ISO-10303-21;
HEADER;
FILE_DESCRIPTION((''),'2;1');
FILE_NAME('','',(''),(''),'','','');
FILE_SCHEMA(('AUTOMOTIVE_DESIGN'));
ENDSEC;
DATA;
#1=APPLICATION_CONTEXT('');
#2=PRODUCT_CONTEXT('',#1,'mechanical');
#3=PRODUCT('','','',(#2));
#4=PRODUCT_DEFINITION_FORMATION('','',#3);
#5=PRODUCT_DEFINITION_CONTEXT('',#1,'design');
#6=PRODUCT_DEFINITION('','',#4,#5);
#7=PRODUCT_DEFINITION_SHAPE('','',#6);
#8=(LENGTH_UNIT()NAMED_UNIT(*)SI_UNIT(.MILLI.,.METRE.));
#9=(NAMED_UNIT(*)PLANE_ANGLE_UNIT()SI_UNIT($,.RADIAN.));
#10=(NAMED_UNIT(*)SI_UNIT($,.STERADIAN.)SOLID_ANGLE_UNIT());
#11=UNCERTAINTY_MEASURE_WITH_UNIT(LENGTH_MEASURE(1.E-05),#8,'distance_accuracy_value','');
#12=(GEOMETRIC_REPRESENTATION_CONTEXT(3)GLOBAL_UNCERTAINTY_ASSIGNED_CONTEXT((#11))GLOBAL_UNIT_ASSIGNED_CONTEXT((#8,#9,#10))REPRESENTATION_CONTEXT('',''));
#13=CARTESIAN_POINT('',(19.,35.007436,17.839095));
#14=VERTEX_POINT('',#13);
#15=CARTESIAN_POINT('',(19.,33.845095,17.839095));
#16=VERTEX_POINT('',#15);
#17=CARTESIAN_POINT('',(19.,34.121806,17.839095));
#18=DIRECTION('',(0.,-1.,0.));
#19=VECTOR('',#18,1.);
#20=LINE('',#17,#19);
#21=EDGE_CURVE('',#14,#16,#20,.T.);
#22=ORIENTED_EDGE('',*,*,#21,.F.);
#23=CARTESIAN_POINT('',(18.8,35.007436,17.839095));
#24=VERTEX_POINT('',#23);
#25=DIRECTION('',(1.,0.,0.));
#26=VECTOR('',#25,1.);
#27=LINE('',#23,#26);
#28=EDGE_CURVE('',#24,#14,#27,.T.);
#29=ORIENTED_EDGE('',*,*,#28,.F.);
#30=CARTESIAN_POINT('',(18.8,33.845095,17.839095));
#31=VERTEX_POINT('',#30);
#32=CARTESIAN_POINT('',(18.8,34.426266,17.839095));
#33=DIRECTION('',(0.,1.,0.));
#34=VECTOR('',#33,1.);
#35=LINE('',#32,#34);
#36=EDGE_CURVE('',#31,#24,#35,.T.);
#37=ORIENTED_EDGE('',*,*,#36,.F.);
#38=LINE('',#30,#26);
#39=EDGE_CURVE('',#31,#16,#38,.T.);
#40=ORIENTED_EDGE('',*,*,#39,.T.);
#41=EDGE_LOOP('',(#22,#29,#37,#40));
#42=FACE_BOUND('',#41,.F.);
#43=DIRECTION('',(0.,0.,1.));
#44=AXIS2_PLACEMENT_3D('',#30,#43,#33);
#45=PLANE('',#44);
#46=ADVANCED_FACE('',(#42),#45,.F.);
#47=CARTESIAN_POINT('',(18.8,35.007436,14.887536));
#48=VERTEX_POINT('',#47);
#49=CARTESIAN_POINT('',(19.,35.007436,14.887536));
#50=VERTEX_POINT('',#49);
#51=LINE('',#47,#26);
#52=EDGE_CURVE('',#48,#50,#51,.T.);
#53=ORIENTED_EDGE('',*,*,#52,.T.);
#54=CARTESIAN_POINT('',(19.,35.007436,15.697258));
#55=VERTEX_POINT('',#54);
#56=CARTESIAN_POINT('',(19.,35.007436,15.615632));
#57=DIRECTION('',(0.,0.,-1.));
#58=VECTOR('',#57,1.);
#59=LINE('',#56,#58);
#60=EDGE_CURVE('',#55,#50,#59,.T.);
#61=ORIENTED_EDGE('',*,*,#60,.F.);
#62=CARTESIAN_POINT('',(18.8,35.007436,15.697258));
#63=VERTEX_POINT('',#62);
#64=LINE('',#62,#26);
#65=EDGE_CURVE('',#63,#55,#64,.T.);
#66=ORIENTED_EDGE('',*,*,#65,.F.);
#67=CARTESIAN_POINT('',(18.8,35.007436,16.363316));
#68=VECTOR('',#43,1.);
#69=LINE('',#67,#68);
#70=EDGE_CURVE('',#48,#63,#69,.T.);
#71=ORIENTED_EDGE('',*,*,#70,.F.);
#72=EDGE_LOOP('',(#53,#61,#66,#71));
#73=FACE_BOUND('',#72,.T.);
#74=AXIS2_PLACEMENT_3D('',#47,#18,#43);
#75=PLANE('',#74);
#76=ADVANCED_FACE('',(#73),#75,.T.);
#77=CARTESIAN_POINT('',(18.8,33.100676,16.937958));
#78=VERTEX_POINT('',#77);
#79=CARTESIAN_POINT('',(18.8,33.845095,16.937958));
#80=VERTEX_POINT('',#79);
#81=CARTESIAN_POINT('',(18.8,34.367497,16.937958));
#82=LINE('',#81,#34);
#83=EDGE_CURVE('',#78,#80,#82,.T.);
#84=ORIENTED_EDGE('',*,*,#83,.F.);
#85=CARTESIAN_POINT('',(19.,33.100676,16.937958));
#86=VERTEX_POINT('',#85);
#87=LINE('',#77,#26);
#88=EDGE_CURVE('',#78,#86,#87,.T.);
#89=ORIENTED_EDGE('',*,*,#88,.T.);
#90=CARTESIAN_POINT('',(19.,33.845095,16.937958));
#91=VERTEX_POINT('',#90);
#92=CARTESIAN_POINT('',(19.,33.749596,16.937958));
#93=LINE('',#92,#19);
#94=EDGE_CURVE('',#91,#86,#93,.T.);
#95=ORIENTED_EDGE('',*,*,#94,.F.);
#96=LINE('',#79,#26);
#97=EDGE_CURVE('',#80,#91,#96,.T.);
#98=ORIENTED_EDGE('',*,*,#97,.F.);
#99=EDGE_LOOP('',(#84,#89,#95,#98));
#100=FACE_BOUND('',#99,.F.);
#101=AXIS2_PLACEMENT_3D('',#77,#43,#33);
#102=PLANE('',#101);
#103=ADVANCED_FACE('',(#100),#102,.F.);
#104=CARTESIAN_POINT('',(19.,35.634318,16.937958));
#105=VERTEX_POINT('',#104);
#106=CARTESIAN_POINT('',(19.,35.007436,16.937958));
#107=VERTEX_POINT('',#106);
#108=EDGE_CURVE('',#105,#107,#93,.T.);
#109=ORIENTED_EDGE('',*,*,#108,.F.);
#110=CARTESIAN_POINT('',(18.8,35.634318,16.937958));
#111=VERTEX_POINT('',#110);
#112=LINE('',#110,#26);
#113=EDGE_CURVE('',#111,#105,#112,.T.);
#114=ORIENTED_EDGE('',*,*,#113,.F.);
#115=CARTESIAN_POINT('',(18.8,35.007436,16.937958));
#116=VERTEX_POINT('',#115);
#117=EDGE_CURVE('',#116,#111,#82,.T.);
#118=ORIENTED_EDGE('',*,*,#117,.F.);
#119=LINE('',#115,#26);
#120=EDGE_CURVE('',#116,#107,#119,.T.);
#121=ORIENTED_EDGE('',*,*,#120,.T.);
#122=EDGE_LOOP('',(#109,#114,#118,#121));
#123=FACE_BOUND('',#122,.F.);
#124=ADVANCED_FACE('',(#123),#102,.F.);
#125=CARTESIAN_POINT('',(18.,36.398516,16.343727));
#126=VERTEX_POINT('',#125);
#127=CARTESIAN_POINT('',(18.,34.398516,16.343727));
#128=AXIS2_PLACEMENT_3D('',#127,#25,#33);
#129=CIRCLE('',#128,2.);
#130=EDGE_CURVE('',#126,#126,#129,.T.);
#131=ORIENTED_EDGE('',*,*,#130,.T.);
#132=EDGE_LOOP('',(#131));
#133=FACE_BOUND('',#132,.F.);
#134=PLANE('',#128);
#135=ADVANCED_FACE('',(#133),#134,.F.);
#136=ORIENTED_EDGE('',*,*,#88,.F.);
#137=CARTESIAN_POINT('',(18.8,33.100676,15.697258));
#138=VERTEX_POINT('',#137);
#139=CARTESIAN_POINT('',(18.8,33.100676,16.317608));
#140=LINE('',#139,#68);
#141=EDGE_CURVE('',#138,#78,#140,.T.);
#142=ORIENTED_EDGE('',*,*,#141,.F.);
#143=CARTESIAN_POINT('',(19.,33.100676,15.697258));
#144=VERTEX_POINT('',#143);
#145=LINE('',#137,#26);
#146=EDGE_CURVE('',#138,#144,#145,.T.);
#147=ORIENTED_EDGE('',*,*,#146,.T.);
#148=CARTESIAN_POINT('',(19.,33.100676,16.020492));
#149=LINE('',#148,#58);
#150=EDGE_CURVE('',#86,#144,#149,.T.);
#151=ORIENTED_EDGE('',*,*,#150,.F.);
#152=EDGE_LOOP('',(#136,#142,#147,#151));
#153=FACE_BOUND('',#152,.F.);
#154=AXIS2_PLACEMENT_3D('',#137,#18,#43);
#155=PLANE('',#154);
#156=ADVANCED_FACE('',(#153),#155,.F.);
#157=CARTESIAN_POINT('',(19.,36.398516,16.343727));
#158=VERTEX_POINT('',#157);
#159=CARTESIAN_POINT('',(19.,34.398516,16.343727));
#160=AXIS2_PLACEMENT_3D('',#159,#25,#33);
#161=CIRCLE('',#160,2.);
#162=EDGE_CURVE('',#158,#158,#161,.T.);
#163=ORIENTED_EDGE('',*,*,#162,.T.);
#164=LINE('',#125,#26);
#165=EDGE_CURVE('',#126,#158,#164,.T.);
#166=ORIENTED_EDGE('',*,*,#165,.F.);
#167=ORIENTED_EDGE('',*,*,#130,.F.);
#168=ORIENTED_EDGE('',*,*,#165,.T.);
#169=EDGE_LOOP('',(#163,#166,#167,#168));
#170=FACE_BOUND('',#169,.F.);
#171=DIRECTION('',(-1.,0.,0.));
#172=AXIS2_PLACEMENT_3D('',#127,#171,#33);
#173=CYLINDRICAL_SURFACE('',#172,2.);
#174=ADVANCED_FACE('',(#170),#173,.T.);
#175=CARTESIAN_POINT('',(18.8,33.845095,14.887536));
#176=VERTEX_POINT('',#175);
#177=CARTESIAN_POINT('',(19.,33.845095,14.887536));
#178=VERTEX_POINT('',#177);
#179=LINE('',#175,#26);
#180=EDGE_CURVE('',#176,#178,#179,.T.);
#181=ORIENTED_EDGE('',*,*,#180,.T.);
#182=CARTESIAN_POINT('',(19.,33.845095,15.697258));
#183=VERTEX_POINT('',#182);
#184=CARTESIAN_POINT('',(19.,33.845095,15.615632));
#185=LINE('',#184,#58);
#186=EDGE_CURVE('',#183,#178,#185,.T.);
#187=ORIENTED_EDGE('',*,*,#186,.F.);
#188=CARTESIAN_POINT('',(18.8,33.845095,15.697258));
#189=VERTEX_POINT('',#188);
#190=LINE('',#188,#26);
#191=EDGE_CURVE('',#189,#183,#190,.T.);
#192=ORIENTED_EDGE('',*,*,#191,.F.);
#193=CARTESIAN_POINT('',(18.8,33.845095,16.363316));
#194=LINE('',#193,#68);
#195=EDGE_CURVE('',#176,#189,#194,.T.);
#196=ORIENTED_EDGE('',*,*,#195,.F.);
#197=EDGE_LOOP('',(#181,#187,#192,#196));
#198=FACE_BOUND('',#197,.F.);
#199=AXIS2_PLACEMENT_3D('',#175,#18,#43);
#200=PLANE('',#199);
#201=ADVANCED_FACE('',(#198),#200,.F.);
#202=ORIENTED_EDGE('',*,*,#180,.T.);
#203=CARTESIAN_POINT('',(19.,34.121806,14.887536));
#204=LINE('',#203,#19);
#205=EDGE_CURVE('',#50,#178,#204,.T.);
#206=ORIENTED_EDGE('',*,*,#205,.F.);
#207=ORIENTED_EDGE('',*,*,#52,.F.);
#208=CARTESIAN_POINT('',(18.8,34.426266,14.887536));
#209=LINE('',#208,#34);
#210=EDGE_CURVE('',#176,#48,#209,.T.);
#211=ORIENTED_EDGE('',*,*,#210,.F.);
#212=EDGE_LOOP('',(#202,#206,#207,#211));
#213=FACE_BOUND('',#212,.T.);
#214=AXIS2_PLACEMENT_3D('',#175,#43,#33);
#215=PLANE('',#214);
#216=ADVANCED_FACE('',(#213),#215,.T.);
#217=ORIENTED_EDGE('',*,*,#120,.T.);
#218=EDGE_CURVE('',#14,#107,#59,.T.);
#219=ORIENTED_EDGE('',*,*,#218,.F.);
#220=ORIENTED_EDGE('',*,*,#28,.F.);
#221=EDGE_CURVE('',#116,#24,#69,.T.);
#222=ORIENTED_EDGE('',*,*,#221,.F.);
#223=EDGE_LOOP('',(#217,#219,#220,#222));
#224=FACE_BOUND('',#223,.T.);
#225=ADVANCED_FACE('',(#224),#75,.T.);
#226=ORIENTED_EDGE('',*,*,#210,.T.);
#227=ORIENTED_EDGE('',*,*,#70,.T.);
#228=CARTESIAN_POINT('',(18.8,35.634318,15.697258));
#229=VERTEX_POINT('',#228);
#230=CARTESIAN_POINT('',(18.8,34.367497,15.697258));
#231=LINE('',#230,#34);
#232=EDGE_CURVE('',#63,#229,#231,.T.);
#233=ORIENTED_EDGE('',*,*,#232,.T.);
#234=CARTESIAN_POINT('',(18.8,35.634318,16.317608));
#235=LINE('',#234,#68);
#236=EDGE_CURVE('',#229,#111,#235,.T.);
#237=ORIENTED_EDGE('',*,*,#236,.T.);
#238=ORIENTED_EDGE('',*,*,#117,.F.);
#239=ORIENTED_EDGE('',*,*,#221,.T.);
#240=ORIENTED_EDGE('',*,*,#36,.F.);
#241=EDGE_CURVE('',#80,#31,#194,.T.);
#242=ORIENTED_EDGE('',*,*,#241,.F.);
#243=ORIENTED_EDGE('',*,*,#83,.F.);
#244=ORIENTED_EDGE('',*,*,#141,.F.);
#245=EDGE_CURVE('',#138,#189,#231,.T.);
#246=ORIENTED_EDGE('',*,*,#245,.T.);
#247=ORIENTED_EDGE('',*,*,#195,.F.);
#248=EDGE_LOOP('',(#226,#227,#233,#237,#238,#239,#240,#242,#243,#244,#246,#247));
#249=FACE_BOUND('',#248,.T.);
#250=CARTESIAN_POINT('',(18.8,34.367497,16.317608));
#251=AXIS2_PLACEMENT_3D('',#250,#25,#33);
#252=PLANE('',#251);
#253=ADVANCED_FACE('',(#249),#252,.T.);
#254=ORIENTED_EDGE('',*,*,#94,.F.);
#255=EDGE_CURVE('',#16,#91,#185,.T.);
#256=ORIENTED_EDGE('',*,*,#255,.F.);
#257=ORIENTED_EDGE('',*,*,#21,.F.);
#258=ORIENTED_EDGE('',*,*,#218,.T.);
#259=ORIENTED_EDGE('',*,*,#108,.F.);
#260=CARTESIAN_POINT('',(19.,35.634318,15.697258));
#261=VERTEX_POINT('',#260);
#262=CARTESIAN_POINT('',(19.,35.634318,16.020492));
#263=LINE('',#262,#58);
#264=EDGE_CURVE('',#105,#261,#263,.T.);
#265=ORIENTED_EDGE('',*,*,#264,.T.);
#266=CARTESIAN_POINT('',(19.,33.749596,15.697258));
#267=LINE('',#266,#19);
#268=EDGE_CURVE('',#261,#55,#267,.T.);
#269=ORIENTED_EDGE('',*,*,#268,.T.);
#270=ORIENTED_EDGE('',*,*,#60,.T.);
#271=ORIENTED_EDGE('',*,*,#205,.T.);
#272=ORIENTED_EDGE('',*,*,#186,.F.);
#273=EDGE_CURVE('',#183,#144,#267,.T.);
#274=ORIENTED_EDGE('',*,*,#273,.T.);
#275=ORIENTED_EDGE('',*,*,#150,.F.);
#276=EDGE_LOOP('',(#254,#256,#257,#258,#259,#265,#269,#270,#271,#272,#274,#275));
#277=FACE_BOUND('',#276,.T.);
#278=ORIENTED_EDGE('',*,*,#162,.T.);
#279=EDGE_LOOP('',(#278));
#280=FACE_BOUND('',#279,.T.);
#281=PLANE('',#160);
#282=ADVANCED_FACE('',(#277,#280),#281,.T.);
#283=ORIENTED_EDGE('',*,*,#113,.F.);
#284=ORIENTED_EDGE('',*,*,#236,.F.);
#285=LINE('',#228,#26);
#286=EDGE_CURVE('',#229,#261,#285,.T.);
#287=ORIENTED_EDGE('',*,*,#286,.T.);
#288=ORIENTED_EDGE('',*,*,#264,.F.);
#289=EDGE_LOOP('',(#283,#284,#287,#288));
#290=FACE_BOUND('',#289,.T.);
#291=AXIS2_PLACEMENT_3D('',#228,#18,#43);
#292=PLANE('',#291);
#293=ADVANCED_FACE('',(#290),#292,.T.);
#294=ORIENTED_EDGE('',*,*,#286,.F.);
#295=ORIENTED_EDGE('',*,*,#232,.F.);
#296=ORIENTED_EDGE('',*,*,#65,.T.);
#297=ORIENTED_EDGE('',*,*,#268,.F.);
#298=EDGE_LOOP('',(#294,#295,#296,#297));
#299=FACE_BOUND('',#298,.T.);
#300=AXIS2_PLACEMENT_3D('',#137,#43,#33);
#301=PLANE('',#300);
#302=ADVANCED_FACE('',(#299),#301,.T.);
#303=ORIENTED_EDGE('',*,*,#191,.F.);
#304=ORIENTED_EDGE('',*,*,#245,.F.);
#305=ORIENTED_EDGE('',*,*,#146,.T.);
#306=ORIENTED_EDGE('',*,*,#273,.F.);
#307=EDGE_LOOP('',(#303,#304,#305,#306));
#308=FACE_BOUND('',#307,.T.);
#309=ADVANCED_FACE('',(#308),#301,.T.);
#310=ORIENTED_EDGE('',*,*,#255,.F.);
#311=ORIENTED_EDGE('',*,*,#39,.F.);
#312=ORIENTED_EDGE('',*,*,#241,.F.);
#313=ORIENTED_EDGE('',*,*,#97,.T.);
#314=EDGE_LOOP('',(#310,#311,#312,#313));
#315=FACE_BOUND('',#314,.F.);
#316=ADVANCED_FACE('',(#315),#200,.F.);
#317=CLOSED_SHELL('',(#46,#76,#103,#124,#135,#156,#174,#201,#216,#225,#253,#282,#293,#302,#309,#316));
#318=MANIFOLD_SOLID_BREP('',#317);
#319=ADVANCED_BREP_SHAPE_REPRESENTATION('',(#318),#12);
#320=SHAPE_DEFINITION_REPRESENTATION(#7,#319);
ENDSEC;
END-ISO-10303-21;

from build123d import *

# Parameters (mm, degrees)
RECTANGLE011_W   = 1.162341
RECTANGLE011_H   = 2.951559
EXTRUDE034_DEPTH = 0.5
RECTANGLE010_W   = 2.533642
RECTANGLE010_H   = 1.2407
EXTRUDE033_DEPTH = 0.5
CIRCLE016_R      = 2
EXTRUDE032_DEPTH = 1


with BuildPart() as extrude034:
    # Rectangle011 → Extrude034 (new body)
    with BuildSketch(Plane(origin=(1, -5.654904, 34.839096), x_dir=(0, 1, 0), z_dir=(1, 0, 0))):
        with Locations((0.58117, -1.47578)):
            Rectangle(RECTANGLE011_W, RECTANGLE011_H)
    extrude(amount=EXTRUDE034_DEPTH)


with BuildPart() as extrude034_1:
    # Extrude034 placement: moved
    add(extrude034.part.moved(Location((-0.2, 0, 0))))


with BuildPart() as extrude033:
    # Rectangle010 → Extrude033 (new body)
    with BuildSketch(Plane(origin=(1, -6.399324, 33.937958), x_dir=(0, 1, 0), z_dir=(1, 0, 0))):
        with Locations((1.266821, -0.62035)):
            Rectangle(RECTANGLE010_W, RECTANGLE010_H)
    extrude(amount=EXTRUDE033_DEPTH)


with BuildPart() as extrude033_1:
    # Extrude033 placement: moved
    add(extrude033.part.moved(Location((-0.2, 0, 0))))


with BuildPart() as parafuso1:
    # Circle016 → Extrude032 (new body)
    with BuildSketch(Plane(origin=(0, -5.101484, 33.343727), x_dir=(0, 1, 0), z_dir=(1, 0, 0))):
        Circle(CIRCLE016_R)
    extrude(amount=EXTRUDE032_DEPTH)

    # Cut007: cut Extrude033
    add(extrude033_1.part, mode=Mode.SUBTRACT)

    # Cut008: cut Extrude034
    add(extrude034_1.part, mode=Mode.SUBTRACT)


with BuildPart() as parafuso1_1:
    # Cut008 placement: moved
    add(parafuso1.part.moved(Location((18, 39.5, -17))))


solid = parafuso1_1.part
